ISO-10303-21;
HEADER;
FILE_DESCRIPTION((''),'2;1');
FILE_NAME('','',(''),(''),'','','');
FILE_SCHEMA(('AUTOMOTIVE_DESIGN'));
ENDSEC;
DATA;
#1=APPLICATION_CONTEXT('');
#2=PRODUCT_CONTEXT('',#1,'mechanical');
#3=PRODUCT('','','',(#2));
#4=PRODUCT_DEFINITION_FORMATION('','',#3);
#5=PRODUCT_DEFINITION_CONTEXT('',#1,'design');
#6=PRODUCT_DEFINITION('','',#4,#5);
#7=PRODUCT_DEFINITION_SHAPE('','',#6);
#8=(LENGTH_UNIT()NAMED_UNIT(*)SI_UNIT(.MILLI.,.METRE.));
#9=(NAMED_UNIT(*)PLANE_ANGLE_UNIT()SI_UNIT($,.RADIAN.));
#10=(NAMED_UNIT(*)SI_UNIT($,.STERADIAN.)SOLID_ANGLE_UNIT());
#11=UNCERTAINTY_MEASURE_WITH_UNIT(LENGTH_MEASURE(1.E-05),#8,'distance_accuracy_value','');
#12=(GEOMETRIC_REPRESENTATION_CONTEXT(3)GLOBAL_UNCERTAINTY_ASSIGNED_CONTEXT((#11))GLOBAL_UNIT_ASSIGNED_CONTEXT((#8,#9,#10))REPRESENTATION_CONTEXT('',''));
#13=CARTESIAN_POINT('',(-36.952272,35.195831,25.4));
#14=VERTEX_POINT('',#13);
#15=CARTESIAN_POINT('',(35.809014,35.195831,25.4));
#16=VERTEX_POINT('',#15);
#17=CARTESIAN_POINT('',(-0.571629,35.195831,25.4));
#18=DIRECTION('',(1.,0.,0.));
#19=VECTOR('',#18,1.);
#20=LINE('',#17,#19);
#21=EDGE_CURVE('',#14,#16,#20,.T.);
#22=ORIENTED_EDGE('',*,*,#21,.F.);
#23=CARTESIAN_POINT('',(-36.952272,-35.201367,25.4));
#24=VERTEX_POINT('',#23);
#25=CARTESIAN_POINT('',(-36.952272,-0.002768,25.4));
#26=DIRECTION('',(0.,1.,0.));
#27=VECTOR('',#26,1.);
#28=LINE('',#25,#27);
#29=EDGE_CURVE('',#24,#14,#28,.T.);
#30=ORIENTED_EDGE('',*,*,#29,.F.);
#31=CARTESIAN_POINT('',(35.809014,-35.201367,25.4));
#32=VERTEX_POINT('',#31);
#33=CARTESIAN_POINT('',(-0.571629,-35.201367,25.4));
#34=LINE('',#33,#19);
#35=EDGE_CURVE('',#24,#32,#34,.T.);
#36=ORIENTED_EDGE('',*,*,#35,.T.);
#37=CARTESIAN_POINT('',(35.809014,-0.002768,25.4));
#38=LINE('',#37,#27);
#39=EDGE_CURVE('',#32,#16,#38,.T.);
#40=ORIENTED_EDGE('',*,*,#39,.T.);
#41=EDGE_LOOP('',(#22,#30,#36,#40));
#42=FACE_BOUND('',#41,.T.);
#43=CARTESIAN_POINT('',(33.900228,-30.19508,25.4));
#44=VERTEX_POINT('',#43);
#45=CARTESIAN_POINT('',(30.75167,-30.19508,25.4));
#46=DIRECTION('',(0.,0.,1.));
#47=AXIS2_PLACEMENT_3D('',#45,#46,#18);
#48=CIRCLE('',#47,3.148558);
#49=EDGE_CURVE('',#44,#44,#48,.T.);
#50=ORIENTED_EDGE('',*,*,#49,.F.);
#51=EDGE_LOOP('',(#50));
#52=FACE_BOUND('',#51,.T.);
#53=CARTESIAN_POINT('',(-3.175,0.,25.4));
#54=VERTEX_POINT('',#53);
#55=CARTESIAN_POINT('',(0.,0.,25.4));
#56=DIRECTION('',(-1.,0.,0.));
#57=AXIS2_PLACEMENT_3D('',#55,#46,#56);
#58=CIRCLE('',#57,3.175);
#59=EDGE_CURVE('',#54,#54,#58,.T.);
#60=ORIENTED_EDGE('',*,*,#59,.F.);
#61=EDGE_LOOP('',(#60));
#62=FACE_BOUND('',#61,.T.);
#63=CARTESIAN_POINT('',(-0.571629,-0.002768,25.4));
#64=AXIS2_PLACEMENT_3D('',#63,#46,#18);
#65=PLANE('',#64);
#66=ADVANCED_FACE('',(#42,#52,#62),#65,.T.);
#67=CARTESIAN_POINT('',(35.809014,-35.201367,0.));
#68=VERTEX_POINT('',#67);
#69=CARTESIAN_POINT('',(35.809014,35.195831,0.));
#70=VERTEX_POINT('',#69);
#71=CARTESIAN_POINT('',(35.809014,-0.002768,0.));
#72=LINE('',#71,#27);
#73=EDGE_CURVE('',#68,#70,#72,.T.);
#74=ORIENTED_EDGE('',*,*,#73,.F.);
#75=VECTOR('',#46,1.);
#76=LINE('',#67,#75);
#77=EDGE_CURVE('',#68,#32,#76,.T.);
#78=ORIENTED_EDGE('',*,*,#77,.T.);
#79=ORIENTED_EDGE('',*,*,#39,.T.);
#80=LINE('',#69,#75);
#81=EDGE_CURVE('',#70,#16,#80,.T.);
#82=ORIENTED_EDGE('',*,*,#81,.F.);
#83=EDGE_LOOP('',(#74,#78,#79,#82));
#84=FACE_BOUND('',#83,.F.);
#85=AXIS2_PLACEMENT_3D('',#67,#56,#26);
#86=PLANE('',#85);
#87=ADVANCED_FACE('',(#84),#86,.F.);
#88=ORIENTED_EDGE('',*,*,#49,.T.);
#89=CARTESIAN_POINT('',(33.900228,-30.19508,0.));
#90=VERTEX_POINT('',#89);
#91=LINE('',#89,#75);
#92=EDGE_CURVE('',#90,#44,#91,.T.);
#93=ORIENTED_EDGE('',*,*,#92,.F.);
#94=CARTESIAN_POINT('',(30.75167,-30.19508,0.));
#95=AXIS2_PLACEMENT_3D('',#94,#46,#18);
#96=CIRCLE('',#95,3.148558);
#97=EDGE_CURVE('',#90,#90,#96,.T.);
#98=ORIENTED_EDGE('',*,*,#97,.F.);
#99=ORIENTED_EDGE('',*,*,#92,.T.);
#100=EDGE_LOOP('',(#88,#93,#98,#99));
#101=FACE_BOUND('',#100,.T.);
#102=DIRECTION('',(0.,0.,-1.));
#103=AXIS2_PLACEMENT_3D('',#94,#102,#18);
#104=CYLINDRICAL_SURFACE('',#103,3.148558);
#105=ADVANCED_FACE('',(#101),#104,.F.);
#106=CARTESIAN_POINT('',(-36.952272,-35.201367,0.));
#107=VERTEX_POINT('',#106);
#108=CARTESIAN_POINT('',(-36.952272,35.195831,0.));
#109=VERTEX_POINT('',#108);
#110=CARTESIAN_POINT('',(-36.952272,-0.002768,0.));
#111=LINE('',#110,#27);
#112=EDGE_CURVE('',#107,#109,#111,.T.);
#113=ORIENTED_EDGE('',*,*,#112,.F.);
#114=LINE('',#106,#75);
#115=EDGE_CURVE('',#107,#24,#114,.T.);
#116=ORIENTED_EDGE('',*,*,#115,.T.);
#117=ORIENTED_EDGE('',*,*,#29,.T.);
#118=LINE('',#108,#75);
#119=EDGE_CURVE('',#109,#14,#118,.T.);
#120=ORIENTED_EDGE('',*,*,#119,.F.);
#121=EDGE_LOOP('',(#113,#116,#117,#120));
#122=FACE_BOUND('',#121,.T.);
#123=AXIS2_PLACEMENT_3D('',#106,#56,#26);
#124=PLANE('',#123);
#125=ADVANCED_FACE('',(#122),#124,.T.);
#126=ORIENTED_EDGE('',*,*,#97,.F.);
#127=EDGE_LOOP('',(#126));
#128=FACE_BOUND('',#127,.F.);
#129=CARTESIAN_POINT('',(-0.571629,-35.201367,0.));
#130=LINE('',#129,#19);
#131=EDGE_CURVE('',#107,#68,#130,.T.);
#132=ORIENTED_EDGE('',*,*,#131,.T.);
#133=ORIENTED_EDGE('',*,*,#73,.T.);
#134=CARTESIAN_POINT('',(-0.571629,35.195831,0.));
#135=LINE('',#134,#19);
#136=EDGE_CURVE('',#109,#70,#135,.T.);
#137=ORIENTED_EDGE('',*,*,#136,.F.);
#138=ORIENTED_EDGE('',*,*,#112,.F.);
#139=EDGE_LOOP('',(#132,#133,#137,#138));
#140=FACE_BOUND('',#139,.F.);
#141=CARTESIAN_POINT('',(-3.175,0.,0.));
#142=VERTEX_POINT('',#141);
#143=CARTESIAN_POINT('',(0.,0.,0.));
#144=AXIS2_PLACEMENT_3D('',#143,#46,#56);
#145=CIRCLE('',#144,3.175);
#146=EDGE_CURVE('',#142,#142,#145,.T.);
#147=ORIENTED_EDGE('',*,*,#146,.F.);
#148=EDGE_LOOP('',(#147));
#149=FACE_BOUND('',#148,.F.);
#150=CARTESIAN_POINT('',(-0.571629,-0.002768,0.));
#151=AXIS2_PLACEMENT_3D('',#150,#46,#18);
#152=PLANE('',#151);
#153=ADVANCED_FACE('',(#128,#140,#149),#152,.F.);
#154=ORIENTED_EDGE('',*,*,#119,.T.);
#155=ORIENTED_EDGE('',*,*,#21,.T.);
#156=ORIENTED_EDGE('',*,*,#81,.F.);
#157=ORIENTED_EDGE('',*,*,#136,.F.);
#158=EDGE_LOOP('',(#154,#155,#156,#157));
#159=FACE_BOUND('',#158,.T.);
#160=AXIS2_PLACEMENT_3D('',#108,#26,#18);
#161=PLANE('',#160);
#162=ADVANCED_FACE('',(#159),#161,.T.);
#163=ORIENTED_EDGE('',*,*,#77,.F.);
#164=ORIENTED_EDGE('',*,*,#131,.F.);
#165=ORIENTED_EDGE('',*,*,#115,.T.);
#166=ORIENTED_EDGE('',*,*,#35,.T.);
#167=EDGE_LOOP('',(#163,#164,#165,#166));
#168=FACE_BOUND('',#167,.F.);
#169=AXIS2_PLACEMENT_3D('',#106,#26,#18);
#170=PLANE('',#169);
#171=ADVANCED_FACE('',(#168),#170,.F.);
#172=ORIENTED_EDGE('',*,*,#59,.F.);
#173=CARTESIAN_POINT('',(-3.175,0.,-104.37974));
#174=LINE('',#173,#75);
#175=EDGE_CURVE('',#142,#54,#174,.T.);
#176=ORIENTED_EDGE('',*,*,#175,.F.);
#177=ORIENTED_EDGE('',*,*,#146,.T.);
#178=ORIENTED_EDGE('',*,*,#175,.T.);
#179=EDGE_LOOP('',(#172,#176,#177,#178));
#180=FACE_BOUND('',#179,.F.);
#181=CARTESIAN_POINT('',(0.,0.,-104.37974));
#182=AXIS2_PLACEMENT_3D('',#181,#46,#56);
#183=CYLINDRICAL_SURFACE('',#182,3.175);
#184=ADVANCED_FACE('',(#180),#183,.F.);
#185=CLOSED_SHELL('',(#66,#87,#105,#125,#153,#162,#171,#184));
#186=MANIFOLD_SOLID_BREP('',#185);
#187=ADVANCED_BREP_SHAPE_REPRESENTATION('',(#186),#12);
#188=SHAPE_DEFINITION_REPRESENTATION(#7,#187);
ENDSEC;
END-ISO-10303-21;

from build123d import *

# Parameters (mm, degrees)
F0_W     = 72.761286
F0_H     = 70.397198
F1_DEPTH = 25.4
F2_R     = 3.148558
F3_DEPTH = 25.4
F6_D     = 6.35


with BuildPart() as f1:
    # F0 (on Top) → F1 (new body)
    with BuildSketch(Plane.XY):
        with Locations((-0.571629, -0.002768)):
            Rectangle(F0_W, F0_H)
    extrude(amount=F1_DEPTH)


with BuildPart() as f3:
    # F2 (on Top) → F3 (new body)
    with BuildSketch(Plane.XY):
        with Locations((30.75167, -30.19508)):
            Circle(F2_R)
    extrude(amount=F3_DEPTH)


with BuildPart() as f1_1:
    add(f1.part)

    # F4: cut F3
    add(f3.part, mode=Mode.SUBTRACT)

    # F6 (through all)
    with Locations(Plane(origin=(0, 0, 0), x_dir=(1, 0, 0), z_dir=(0, 0, -1))):
        with Locations((0, 0)):
            Hole(F6_D / 2)


solid = f1_1.part
